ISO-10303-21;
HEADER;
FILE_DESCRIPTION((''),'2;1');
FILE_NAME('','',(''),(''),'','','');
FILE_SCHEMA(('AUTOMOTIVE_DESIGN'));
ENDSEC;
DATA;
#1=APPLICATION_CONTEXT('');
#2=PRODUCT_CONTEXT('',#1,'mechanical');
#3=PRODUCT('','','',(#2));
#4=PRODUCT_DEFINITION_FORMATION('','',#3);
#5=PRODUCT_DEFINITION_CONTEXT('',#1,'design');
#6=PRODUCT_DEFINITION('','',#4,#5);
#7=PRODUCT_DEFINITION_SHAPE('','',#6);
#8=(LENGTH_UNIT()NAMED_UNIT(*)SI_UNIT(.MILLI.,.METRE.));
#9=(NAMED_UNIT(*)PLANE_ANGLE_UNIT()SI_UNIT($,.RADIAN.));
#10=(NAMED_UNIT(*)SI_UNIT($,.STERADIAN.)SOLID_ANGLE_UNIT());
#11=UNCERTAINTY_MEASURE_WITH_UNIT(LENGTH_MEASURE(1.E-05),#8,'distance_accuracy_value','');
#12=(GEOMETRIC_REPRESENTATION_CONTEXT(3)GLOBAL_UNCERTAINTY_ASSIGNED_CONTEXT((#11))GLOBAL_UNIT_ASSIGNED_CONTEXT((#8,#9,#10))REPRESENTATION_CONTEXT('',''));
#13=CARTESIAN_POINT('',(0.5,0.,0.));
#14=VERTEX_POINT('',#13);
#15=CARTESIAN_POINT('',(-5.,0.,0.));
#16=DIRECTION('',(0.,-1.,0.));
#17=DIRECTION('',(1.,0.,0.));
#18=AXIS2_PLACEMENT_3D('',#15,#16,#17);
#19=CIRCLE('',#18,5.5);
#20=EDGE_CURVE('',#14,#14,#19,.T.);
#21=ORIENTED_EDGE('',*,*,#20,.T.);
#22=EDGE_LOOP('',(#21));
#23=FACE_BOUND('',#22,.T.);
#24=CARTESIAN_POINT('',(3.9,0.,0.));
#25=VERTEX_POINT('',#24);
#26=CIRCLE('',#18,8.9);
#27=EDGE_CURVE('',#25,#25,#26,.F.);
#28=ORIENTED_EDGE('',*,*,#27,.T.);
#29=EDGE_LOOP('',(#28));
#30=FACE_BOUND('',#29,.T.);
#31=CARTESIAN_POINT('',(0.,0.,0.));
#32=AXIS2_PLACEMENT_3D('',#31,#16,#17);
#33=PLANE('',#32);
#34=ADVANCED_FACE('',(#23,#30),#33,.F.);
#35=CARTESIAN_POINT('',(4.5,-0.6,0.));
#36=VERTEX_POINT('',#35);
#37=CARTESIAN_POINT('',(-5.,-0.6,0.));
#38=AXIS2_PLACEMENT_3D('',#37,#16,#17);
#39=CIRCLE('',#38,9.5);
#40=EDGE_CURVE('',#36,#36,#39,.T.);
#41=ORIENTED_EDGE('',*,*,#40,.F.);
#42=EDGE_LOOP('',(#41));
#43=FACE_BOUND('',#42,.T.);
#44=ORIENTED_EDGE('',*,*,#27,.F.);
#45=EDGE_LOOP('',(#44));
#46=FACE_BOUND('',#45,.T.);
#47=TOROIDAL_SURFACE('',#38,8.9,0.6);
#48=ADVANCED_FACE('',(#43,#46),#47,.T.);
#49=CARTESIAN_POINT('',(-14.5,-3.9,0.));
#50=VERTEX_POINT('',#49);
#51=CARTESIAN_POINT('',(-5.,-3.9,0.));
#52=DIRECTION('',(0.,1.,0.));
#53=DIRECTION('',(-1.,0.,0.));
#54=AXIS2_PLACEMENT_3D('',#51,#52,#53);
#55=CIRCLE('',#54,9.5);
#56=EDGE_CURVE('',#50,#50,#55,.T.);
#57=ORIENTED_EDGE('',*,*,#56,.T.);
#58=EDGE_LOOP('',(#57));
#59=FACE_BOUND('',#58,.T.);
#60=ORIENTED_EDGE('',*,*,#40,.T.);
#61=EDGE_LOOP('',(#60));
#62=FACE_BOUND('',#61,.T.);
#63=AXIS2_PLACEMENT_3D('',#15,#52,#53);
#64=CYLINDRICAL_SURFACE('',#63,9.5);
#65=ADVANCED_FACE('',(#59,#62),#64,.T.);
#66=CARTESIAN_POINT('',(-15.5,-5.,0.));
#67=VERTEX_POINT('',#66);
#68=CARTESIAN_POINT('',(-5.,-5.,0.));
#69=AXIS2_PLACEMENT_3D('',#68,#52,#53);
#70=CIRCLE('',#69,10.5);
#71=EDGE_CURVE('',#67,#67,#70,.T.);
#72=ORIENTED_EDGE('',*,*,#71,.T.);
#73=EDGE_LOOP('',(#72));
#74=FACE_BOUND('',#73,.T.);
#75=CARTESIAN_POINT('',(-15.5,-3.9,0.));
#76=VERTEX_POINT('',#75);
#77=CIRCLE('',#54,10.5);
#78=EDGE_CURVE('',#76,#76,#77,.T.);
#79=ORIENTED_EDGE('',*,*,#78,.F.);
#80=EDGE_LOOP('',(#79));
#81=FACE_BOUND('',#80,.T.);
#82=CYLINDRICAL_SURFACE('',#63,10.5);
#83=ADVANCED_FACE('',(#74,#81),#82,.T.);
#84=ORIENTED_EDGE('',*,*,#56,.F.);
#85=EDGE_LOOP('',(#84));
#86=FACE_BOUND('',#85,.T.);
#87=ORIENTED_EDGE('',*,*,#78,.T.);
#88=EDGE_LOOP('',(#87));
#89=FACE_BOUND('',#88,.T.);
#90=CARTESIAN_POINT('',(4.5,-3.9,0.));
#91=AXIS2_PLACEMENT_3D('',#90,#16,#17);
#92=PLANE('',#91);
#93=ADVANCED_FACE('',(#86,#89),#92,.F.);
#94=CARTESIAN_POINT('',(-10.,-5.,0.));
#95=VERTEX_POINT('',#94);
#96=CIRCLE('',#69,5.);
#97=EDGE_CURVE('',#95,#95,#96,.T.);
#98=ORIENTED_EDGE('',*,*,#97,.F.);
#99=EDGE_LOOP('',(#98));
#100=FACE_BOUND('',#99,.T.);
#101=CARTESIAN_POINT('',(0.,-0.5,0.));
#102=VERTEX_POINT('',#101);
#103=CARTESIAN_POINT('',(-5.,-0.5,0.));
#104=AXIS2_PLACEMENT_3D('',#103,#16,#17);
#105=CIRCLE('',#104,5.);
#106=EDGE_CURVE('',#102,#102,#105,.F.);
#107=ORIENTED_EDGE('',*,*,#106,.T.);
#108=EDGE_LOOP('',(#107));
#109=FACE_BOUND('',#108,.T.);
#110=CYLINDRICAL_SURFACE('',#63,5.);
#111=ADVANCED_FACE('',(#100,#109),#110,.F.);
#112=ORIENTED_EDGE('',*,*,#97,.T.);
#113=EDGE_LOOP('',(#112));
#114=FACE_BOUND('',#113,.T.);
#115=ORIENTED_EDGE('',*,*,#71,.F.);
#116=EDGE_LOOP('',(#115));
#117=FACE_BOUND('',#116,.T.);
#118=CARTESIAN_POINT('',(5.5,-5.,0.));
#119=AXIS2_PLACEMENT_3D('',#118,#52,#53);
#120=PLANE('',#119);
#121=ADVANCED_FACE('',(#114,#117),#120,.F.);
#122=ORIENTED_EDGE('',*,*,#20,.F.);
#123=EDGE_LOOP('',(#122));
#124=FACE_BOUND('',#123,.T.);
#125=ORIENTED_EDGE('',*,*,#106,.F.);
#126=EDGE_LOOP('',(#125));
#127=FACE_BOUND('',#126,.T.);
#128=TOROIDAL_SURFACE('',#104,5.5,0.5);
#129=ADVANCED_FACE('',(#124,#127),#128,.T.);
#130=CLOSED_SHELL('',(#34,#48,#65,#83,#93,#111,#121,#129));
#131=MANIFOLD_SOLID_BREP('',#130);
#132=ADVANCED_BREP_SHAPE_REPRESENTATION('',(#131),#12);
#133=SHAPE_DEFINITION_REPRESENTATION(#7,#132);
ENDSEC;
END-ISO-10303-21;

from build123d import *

# Parameters (mm, degrees)
FILLET_1_R = 0.6
FILLET_2_R = 0.5


with BuildPart() as part:
    # 草图2 → 旋转1 (revolve)
    with BuildSketch(Plane.XY, mode=Mode.PRIVATE) as revolve_1_sk:
        Polygon((0, 0), (4.5, 0), (4.5, -3.9), (5.5, -3.9), (5.5, -5), (0, -5), align=None)
    revolve(revolve_1_sk.sketch.rotate(Axis((-5, 0, 0), (0, -1, 0)), 180), axis=Axis((-5, 0, 0), (0, -1, 0)))

    # 圆角1
    fillet_1_edges = [part.edges().sort_by_distance(p)[0] for p in [
        (4.5, 0, 0),
    ]]
    fillet(fillet_1_edges, radius=FILLET_1_R)

    # 圆角2
    fillet_2_edges = [part.edges().sort_by_distance(p)[0] for p in [
        (0, 0, 0),
    ]]
    fillet(fillet_2_edges, radius=FILLET_2_R)


solid = part.part
